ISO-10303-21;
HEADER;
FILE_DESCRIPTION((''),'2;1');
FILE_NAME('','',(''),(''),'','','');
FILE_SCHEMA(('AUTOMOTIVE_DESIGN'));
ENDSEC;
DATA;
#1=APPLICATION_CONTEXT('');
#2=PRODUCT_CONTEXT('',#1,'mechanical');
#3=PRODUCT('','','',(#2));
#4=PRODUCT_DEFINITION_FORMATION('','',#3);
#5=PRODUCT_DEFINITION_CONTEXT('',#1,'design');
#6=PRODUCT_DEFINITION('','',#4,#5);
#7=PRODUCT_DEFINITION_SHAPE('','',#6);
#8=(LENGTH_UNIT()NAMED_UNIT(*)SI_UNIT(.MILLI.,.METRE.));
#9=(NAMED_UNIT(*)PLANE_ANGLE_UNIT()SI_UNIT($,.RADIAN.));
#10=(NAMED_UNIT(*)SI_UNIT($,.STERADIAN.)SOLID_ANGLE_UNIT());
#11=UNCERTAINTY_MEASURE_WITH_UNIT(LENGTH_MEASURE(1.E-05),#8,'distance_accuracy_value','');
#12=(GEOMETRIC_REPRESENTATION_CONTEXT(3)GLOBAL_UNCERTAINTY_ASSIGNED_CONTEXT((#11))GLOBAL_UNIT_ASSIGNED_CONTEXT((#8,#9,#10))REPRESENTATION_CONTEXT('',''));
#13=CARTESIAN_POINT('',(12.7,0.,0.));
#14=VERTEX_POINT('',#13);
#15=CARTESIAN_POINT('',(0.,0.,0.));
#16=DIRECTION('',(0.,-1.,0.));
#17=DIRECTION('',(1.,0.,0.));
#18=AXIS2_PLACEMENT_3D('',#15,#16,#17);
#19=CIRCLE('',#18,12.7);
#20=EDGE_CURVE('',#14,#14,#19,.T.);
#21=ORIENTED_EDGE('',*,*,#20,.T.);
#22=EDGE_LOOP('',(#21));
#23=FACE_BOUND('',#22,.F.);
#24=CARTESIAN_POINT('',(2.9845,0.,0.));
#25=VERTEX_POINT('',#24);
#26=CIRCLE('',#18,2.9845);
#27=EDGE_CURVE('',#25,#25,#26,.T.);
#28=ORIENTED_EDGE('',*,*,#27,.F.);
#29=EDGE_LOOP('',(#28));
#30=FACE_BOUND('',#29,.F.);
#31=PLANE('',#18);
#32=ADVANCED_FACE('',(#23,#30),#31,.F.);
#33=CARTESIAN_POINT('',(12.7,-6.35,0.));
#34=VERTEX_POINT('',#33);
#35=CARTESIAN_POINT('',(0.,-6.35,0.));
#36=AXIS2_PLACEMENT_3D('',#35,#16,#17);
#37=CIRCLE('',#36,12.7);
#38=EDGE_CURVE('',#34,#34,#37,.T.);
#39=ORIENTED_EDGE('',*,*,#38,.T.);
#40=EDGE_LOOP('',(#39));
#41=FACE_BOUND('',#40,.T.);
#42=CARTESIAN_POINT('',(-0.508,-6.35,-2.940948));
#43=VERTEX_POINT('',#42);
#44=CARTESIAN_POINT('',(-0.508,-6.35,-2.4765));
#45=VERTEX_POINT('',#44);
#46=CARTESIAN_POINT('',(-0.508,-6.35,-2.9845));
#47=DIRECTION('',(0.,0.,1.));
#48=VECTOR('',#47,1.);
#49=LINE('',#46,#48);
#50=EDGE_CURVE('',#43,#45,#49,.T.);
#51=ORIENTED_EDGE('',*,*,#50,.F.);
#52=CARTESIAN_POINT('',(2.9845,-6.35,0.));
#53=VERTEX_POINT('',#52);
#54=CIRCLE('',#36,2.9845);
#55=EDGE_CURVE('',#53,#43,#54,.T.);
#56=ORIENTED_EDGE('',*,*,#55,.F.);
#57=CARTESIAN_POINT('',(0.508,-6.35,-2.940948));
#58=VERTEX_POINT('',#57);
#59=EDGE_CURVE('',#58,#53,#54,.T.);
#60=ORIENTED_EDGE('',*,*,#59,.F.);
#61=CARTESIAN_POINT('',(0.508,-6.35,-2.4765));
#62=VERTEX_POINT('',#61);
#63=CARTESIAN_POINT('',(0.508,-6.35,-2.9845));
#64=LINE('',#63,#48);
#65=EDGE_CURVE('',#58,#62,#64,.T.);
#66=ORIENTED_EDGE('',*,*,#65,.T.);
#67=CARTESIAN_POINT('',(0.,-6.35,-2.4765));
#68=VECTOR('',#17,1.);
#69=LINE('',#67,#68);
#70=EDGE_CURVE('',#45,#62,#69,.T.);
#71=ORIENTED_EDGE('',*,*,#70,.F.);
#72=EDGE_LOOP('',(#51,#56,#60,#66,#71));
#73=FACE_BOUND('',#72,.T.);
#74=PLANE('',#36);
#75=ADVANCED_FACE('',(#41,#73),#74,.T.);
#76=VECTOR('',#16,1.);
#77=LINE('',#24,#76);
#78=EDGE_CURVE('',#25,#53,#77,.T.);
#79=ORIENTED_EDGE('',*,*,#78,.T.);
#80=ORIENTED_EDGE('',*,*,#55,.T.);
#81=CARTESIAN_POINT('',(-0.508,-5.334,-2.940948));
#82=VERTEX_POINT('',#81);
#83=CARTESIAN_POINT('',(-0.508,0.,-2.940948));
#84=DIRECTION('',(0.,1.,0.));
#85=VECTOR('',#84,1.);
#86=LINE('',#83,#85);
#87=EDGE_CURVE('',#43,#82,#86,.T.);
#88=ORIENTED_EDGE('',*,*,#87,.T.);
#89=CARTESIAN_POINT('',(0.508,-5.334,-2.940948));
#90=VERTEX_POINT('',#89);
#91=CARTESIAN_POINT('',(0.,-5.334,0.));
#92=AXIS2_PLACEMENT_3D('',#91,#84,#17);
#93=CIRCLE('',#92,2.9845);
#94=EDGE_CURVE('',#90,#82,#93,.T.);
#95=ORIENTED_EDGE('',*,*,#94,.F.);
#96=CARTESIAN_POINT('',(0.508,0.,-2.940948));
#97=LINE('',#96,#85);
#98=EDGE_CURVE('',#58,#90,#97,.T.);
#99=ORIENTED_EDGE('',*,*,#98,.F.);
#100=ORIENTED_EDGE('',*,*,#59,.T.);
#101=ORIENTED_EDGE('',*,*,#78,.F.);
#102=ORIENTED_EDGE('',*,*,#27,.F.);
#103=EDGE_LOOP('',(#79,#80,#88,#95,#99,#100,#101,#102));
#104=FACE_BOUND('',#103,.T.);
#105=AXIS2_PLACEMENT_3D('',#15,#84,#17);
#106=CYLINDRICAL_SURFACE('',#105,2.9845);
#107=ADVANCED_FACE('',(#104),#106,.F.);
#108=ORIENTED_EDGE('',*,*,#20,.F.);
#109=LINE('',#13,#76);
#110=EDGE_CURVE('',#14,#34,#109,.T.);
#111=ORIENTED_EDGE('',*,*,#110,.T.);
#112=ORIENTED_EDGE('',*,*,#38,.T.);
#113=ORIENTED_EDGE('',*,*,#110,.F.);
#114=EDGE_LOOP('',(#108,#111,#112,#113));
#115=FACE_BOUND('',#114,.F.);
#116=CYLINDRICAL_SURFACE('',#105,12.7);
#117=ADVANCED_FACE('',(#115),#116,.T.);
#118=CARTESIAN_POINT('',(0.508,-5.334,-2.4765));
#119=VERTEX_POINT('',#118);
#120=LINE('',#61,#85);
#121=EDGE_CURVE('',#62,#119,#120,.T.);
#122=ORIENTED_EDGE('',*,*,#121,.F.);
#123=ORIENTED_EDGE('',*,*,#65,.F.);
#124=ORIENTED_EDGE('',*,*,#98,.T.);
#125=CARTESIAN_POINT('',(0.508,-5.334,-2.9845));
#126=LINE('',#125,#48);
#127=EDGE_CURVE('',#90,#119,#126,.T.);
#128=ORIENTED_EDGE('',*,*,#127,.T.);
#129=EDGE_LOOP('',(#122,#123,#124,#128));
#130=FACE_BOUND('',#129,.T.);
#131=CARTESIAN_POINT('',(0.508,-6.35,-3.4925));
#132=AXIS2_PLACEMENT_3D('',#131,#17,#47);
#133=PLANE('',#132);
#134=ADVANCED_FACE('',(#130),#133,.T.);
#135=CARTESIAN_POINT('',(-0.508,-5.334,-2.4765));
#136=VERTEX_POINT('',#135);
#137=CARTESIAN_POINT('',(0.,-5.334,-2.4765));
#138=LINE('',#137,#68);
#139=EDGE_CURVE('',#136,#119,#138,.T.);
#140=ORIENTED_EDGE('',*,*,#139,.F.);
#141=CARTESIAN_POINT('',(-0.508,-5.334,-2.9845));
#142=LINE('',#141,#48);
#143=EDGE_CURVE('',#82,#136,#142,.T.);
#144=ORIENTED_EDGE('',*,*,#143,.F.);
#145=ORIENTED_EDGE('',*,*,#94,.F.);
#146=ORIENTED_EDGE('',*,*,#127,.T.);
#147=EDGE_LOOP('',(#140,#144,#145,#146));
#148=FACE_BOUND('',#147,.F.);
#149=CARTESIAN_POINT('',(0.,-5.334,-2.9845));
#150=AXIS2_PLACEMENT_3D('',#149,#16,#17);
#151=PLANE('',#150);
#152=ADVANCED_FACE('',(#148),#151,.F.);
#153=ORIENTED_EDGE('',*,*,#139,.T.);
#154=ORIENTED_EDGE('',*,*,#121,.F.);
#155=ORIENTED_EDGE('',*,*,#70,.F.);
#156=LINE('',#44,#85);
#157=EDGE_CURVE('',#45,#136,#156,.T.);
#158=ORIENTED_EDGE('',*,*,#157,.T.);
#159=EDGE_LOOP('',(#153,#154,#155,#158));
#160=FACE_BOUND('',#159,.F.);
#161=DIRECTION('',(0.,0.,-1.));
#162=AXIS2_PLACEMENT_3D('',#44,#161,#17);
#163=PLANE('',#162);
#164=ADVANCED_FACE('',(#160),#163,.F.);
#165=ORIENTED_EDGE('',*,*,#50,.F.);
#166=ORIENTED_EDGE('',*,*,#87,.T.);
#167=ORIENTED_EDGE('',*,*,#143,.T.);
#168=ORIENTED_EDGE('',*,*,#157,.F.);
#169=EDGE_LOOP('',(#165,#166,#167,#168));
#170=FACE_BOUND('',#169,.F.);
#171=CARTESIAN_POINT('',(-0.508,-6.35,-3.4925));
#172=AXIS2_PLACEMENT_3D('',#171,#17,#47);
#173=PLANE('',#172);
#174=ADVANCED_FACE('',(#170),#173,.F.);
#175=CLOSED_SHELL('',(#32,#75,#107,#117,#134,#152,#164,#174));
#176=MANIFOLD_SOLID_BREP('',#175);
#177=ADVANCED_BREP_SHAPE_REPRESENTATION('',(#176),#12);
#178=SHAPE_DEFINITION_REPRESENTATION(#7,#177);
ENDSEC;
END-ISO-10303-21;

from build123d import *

# Parameters (mm, degrees)
F0_R     = 12.7
F0_R_2   = 2.9845
F1_DEPTH = 6.35
F2_W     = 1.016
F2_H     = 1.016
F3_DEPTH = 1.016


with BuildPart() as f1:
    # F0 (on Front) → F1 (new body)
    with BuildSketch(Plane.XZ):
        Circle(F0_R)
        Circle(F0_R_2, mode=Mode.SUBTRACT)
    extrude(amount=F1_DEPTH)

    # F2 (on face) → F3 (join)
    with BuildSketch(Plane.XZ.offset(6.35)):
        with Locations((0, -2.9845)):
            Rectangle(F2_W, F2_H)
    extrude(amount=-F3_DEPTH)


solid = f1.part
